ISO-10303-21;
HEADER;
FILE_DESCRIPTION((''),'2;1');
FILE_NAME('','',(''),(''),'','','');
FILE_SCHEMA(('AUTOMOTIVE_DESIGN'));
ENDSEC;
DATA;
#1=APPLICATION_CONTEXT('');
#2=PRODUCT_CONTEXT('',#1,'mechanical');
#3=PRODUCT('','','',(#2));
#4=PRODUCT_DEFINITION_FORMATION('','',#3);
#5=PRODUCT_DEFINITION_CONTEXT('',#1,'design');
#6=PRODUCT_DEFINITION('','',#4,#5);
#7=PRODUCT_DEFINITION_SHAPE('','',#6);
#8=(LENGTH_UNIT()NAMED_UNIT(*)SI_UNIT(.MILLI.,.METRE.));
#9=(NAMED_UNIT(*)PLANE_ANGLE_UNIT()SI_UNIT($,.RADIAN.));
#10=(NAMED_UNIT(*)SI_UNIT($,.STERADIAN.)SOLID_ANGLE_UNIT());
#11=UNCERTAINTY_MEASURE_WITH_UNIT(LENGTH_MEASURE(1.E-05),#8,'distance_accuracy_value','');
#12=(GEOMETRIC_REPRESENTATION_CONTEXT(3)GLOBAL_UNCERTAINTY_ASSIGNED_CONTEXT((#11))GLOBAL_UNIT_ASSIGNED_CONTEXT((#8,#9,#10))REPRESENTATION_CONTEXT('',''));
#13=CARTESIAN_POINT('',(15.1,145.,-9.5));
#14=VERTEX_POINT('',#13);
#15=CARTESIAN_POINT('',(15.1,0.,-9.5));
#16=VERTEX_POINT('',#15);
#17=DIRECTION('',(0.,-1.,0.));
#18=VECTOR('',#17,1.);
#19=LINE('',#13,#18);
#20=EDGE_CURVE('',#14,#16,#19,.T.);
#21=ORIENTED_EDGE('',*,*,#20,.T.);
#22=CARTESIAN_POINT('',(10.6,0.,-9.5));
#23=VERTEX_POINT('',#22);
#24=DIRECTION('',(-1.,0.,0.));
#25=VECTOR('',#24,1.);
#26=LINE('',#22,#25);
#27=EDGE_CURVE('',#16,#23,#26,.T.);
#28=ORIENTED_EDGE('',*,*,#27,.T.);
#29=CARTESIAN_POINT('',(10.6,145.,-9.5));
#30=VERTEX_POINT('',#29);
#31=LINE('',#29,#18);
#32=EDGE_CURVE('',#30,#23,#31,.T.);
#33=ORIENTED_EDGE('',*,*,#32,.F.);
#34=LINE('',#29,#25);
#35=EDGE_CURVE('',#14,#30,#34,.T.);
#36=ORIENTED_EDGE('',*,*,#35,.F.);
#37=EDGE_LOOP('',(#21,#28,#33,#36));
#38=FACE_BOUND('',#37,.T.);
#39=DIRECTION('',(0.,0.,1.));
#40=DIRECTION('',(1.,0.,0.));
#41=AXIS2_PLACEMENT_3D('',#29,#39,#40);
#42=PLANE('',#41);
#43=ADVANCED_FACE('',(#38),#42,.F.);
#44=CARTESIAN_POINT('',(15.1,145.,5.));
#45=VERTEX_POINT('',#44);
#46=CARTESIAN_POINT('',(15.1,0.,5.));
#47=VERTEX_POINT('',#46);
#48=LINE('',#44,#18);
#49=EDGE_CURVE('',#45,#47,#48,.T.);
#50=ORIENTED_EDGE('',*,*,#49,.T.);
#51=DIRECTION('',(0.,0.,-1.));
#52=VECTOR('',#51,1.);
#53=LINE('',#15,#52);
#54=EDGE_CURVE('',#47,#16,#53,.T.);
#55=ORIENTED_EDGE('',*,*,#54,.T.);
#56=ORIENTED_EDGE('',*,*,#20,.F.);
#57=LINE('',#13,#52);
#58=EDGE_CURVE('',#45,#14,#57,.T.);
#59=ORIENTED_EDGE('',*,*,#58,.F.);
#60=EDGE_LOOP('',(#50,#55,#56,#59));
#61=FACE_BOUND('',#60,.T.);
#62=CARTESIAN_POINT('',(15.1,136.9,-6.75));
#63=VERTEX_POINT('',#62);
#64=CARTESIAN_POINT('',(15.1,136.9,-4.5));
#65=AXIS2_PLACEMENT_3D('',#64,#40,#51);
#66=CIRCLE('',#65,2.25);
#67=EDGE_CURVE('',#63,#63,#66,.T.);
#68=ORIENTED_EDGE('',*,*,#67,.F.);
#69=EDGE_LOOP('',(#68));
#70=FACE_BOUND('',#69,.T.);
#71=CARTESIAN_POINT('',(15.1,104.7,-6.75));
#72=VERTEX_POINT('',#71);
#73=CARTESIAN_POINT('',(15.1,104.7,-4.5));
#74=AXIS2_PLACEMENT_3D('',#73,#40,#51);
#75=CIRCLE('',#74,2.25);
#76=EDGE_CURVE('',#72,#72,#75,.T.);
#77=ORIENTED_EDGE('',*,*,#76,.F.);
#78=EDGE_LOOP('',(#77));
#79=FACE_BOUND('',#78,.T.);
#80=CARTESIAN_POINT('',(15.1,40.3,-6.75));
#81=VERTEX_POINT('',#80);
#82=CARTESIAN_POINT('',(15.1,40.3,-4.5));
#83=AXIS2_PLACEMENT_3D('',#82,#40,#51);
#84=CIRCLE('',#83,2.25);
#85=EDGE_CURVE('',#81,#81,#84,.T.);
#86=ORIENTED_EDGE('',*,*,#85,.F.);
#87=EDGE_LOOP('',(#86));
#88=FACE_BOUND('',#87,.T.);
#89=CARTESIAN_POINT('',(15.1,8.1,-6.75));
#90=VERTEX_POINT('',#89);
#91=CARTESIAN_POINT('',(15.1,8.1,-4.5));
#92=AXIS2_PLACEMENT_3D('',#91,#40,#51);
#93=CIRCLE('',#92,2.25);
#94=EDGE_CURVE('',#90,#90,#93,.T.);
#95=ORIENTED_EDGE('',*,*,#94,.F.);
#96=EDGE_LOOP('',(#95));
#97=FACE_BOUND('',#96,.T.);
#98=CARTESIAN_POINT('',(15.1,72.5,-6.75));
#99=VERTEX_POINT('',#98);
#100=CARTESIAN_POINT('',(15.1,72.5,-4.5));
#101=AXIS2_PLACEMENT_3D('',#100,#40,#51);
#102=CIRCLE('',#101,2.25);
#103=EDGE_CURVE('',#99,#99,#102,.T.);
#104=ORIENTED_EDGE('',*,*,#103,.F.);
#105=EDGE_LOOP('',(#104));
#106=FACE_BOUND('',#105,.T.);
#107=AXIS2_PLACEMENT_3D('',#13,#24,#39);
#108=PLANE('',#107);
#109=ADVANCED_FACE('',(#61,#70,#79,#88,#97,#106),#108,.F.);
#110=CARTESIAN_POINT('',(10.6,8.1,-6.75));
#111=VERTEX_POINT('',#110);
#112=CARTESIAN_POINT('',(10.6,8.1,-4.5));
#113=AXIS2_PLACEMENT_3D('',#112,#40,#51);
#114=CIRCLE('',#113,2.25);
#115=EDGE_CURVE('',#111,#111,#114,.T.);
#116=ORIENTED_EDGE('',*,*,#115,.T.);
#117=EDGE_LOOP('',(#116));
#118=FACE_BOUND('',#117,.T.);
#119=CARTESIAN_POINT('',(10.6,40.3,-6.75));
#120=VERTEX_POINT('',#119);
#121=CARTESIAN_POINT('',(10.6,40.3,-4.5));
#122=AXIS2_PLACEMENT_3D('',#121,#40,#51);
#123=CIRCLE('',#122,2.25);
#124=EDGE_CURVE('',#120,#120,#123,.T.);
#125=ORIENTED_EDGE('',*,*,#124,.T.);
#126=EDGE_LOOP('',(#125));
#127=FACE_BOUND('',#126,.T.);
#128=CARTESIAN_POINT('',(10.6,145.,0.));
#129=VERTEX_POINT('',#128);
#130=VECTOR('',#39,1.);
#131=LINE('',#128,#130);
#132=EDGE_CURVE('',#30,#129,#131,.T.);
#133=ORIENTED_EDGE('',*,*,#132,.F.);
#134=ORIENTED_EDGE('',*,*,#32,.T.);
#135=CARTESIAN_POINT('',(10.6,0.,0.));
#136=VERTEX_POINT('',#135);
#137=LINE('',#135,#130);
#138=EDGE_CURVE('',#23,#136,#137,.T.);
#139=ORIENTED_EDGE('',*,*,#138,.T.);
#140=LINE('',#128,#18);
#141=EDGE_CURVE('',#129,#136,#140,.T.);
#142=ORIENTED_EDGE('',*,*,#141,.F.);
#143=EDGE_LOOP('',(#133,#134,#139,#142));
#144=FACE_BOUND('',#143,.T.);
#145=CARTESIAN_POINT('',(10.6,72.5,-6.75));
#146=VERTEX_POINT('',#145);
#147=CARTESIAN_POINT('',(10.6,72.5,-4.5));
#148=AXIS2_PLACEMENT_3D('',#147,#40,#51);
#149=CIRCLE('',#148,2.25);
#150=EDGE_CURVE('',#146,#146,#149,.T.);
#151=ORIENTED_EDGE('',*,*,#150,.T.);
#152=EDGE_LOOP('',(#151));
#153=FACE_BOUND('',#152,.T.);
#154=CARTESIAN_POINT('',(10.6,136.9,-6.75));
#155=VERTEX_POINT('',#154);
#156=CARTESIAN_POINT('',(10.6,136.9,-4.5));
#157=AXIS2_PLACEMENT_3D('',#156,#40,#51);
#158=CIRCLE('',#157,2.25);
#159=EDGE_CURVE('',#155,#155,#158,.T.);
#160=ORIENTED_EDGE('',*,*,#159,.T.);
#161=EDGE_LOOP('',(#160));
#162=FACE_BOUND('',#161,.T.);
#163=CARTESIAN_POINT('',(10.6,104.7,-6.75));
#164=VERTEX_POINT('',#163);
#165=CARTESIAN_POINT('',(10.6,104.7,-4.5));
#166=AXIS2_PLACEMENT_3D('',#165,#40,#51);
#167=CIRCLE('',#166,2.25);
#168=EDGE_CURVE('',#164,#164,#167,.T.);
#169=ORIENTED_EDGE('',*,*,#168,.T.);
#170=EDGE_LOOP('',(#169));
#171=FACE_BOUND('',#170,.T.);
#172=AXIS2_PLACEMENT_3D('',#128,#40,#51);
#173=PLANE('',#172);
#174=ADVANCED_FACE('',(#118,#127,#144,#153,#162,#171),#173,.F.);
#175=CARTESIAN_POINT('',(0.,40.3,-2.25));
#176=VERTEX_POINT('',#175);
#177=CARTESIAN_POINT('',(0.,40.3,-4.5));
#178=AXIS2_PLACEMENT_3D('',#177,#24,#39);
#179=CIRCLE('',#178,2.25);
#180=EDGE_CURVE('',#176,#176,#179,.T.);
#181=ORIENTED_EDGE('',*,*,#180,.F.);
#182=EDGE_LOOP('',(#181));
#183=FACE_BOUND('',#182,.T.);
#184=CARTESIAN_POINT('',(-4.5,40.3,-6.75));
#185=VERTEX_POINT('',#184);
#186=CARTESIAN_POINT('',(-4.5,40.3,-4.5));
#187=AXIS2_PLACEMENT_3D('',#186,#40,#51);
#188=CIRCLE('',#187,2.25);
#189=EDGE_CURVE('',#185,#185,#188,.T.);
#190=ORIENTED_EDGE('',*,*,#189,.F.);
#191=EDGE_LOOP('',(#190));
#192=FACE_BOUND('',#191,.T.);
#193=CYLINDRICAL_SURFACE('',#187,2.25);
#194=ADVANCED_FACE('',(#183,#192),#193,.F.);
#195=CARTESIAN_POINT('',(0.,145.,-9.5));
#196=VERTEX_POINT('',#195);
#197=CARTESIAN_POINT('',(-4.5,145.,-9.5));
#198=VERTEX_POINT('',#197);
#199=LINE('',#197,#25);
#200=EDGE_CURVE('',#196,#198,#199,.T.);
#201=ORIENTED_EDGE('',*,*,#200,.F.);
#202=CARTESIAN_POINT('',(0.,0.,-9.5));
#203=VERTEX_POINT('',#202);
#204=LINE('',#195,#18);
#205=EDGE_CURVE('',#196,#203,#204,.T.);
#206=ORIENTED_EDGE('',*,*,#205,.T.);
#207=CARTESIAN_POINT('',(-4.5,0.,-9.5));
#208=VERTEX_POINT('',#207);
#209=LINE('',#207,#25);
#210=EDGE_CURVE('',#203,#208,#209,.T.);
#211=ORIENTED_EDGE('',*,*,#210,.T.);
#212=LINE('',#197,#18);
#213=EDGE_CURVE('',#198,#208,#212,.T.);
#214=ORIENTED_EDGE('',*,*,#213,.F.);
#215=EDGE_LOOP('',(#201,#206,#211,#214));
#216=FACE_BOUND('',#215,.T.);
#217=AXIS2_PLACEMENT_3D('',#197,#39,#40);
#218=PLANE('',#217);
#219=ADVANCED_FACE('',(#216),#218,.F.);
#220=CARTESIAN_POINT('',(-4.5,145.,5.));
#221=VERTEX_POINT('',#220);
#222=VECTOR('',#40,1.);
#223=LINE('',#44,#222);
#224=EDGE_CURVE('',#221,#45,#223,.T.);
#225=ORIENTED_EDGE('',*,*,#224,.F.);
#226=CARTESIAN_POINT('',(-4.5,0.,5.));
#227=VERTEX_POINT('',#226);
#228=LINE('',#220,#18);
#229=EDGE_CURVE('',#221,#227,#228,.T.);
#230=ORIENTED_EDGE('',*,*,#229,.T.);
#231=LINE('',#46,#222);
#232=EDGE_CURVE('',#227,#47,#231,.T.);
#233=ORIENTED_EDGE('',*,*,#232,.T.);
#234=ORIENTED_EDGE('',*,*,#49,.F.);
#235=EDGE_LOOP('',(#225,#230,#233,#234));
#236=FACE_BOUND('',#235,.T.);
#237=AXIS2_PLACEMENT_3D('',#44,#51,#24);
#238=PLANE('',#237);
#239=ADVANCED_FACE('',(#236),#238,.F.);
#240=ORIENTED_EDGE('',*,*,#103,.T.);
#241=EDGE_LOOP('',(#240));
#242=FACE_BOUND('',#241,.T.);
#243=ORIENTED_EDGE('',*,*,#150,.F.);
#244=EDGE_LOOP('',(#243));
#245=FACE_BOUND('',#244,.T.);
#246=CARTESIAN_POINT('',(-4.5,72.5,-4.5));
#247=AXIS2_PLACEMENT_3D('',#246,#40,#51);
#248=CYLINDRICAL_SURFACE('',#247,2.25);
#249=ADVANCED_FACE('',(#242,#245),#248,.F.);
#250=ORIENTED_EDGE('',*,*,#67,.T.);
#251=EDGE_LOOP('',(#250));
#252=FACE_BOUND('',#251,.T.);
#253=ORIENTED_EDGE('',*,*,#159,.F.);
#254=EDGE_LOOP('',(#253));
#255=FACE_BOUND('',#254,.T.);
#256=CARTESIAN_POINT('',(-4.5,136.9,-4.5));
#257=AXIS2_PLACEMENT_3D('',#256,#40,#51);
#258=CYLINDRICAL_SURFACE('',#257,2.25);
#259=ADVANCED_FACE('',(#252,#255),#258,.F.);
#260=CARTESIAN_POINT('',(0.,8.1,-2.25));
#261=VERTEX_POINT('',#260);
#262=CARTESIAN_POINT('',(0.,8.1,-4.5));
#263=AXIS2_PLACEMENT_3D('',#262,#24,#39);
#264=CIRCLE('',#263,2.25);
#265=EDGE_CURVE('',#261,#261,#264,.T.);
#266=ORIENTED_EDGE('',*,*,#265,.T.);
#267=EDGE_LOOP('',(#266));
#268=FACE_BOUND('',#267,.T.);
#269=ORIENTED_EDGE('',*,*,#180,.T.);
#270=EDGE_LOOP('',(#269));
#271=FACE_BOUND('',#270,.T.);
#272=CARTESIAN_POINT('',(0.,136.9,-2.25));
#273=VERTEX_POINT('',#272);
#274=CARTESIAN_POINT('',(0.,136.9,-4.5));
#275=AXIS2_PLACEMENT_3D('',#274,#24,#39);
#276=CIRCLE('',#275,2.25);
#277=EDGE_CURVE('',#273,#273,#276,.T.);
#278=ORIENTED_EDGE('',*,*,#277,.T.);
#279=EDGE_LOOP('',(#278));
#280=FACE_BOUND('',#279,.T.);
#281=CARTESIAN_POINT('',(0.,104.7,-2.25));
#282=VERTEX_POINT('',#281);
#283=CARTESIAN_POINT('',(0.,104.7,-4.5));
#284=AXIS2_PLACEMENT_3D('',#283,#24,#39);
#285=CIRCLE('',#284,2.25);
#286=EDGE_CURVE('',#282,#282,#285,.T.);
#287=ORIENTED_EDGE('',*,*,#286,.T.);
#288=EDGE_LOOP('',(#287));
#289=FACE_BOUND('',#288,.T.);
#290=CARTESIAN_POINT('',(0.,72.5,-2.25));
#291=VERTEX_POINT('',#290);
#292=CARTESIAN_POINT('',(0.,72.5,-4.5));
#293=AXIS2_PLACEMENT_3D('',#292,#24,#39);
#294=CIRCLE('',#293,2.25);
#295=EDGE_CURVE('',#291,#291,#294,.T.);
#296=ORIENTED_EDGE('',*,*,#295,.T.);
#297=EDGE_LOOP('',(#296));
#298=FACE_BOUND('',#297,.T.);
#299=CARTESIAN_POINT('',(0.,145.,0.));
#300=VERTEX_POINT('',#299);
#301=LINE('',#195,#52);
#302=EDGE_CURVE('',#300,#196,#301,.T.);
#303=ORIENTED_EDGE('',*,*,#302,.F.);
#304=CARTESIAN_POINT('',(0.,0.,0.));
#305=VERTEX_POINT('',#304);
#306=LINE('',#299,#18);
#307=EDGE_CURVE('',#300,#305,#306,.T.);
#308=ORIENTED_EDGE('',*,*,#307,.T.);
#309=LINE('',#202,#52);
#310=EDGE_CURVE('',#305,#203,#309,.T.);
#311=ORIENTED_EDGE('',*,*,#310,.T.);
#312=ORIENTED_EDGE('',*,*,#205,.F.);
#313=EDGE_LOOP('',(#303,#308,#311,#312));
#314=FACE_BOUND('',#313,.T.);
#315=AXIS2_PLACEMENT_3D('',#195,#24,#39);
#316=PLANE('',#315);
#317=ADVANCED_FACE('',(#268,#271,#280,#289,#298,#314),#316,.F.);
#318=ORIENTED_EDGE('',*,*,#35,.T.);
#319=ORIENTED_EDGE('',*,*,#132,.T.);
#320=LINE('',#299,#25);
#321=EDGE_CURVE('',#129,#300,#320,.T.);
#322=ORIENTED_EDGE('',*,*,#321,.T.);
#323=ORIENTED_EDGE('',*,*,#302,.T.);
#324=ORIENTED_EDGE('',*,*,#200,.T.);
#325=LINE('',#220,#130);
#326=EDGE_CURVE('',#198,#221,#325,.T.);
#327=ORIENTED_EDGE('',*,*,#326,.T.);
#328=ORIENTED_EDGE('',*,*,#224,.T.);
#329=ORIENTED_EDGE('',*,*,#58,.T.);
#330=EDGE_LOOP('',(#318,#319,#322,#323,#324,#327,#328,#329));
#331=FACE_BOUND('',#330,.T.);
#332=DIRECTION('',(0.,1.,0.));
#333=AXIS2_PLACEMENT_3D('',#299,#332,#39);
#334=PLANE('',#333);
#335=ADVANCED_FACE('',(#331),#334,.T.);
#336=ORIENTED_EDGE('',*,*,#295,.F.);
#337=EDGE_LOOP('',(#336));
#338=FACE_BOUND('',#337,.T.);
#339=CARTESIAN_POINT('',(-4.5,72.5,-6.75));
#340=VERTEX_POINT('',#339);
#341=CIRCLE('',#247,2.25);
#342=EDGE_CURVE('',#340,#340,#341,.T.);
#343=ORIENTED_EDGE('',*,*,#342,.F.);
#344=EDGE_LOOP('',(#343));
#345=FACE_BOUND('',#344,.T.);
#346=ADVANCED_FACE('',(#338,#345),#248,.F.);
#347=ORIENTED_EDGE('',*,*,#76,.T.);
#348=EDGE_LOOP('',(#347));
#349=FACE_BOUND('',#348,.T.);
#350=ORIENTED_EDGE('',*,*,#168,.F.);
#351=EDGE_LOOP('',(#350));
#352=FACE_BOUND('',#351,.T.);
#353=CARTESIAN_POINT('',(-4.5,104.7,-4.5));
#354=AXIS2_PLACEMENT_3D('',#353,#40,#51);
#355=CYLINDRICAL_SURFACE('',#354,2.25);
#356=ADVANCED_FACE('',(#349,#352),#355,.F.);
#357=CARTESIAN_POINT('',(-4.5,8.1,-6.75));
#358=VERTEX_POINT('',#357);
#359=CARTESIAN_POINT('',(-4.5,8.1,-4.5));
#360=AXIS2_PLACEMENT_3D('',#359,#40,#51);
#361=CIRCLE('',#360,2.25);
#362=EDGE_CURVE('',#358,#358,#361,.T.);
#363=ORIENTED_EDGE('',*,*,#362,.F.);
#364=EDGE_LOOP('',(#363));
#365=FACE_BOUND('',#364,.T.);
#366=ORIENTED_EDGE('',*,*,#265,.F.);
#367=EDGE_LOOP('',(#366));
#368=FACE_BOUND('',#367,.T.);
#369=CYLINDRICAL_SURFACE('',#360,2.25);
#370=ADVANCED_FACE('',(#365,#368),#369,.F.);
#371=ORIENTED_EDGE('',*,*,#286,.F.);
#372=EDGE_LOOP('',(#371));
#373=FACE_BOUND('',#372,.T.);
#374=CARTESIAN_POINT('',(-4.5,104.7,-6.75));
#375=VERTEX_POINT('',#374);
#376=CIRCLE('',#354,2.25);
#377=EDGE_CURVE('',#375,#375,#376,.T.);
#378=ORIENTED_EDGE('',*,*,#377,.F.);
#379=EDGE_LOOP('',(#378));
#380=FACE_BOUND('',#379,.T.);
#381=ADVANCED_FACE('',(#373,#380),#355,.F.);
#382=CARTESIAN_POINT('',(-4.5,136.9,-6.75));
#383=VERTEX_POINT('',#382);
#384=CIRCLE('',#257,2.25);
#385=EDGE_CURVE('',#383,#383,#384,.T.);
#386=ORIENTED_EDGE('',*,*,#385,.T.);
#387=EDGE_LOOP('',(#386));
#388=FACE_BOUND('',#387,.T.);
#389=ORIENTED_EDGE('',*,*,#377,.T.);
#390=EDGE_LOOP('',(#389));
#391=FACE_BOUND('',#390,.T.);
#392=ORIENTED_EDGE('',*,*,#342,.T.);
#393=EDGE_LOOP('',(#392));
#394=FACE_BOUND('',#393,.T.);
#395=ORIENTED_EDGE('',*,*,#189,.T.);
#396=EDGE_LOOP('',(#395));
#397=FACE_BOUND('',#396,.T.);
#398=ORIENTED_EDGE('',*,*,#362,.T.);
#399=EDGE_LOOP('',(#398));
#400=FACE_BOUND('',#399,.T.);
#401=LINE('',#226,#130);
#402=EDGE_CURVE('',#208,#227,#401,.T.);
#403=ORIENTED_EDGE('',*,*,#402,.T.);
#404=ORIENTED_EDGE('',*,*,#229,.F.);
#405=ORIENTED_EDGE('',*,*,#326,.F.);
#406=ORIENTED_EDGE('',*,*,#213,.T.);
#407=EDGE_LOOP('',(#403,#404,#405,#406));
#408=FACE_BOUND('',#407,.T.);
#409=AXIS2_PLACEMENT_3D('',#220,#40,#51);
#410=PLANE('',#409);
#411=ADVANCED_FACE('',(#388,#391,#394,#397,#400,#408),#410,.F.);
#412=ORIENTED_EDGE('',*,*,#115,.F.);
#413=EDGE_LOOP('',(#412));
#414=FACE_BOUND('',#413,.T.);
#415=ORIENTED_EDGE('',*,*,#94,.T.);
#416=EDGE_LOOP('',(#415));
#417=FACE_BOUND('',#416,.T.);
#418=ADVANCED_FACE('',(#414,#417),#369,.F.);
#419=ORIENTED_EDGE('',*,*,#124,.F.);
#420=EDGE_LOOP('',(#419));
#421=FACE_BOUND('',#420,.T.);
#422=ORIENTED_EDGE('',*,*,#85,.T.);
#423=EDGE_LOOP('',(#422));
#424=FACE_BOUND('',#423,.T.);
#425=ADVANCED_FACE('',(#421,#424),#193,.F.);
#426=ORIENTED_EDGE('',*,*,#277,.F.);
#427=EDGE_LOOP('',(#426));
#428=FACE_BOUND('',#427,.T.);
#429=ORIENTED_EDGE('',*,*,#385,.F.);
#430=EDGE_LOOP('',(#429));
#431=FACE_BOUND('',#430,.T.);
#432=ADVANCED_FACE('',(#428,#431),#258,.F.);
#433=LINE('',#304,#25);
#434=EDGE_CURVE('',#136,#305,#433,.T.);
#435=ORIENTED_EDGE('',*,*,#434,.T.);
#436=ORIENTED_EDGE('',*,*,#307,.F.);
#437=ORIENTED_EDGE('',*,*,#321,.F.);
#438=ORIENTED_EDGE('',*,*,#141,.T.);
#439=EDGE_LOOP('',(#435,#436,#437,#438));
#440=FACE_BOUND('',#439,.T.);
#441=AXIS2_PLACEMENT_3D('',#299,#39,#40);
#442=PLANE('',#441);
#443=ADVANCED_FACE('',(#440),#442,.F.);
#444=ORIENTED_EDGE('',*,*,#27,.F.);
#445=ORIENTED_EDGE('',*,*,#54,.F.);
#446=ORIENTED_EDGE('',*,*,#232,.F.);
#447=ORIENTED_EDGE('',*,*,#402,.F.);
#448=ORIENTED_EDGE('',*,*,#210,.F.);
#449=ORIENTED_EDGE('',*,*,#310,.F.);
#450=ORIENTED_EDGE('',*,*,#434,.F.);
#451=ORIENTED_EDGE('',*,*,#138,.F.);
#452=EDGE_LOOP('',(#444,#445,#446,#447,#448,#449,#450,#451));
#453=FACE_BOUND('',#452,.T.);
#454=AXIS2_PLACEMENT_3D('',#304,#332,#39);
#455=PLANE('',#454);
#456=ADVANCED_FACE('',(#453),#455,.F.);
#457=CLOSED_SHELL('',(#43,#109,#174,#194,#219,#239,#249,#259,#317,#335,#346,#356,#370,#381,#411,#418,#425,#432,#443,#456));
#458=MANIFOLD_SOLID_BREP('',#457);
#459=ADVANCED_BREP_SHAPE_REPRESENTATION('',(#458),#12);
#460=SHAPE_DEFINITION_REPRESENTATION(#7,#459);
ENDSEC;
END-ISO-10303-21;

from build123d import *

# Parameters (mm, degrees)
EXTRUDE_1_DEPTH     = 145
SKETCH_2_R          = 2.25
CUT_EXTRUDE_1_DEPTH = 147.626771089


with BuildPart() as part:
    # Эскиз1 → Бобышка-Вытянуть1 (new body)
    with BuildSketch(Plane(origin=(0, 0, 0), x_dir=(1, 0, 0), z_dir=(0, 1, 0))):
        Polygon((0, 0), (10.6, 0), (10.6, 9.5), (15.1, 9.5), (15.1, -5), (-4.5, -5), (-4.5, 9.5), (0, 9.5), align=None)
    extrude(amount=EXTRUDE_1_DEPTH)

    # Эскиз2 → Вырез-Вытянуть1 (cut, through all)
    with BuildSketch(Plane(origin=(15.1, 0, 0), x_dir=(0, 0, -1), z_dir=(1, 0, 0))):
        with Locations((4.5, 40.3)):
            Circle(SKETCH_2_R)
        with Locations((4.5, 8.1)):
            Circle(SKETCH_2_R)
        with Locations((4.5, 72.5)):
            Circle(SKETCH_2_R)
        with Locations((4.5, 104.7)):
            Circle(SKETCH_2_R)
        with Locations((4.5, 136.9)):
            Circle(SKETCH_2_R)
    extrude(amount=-CUT_EXTRUDE_1_DEPTH, mode=Mode.SUBTRACT)


solid = part.part
